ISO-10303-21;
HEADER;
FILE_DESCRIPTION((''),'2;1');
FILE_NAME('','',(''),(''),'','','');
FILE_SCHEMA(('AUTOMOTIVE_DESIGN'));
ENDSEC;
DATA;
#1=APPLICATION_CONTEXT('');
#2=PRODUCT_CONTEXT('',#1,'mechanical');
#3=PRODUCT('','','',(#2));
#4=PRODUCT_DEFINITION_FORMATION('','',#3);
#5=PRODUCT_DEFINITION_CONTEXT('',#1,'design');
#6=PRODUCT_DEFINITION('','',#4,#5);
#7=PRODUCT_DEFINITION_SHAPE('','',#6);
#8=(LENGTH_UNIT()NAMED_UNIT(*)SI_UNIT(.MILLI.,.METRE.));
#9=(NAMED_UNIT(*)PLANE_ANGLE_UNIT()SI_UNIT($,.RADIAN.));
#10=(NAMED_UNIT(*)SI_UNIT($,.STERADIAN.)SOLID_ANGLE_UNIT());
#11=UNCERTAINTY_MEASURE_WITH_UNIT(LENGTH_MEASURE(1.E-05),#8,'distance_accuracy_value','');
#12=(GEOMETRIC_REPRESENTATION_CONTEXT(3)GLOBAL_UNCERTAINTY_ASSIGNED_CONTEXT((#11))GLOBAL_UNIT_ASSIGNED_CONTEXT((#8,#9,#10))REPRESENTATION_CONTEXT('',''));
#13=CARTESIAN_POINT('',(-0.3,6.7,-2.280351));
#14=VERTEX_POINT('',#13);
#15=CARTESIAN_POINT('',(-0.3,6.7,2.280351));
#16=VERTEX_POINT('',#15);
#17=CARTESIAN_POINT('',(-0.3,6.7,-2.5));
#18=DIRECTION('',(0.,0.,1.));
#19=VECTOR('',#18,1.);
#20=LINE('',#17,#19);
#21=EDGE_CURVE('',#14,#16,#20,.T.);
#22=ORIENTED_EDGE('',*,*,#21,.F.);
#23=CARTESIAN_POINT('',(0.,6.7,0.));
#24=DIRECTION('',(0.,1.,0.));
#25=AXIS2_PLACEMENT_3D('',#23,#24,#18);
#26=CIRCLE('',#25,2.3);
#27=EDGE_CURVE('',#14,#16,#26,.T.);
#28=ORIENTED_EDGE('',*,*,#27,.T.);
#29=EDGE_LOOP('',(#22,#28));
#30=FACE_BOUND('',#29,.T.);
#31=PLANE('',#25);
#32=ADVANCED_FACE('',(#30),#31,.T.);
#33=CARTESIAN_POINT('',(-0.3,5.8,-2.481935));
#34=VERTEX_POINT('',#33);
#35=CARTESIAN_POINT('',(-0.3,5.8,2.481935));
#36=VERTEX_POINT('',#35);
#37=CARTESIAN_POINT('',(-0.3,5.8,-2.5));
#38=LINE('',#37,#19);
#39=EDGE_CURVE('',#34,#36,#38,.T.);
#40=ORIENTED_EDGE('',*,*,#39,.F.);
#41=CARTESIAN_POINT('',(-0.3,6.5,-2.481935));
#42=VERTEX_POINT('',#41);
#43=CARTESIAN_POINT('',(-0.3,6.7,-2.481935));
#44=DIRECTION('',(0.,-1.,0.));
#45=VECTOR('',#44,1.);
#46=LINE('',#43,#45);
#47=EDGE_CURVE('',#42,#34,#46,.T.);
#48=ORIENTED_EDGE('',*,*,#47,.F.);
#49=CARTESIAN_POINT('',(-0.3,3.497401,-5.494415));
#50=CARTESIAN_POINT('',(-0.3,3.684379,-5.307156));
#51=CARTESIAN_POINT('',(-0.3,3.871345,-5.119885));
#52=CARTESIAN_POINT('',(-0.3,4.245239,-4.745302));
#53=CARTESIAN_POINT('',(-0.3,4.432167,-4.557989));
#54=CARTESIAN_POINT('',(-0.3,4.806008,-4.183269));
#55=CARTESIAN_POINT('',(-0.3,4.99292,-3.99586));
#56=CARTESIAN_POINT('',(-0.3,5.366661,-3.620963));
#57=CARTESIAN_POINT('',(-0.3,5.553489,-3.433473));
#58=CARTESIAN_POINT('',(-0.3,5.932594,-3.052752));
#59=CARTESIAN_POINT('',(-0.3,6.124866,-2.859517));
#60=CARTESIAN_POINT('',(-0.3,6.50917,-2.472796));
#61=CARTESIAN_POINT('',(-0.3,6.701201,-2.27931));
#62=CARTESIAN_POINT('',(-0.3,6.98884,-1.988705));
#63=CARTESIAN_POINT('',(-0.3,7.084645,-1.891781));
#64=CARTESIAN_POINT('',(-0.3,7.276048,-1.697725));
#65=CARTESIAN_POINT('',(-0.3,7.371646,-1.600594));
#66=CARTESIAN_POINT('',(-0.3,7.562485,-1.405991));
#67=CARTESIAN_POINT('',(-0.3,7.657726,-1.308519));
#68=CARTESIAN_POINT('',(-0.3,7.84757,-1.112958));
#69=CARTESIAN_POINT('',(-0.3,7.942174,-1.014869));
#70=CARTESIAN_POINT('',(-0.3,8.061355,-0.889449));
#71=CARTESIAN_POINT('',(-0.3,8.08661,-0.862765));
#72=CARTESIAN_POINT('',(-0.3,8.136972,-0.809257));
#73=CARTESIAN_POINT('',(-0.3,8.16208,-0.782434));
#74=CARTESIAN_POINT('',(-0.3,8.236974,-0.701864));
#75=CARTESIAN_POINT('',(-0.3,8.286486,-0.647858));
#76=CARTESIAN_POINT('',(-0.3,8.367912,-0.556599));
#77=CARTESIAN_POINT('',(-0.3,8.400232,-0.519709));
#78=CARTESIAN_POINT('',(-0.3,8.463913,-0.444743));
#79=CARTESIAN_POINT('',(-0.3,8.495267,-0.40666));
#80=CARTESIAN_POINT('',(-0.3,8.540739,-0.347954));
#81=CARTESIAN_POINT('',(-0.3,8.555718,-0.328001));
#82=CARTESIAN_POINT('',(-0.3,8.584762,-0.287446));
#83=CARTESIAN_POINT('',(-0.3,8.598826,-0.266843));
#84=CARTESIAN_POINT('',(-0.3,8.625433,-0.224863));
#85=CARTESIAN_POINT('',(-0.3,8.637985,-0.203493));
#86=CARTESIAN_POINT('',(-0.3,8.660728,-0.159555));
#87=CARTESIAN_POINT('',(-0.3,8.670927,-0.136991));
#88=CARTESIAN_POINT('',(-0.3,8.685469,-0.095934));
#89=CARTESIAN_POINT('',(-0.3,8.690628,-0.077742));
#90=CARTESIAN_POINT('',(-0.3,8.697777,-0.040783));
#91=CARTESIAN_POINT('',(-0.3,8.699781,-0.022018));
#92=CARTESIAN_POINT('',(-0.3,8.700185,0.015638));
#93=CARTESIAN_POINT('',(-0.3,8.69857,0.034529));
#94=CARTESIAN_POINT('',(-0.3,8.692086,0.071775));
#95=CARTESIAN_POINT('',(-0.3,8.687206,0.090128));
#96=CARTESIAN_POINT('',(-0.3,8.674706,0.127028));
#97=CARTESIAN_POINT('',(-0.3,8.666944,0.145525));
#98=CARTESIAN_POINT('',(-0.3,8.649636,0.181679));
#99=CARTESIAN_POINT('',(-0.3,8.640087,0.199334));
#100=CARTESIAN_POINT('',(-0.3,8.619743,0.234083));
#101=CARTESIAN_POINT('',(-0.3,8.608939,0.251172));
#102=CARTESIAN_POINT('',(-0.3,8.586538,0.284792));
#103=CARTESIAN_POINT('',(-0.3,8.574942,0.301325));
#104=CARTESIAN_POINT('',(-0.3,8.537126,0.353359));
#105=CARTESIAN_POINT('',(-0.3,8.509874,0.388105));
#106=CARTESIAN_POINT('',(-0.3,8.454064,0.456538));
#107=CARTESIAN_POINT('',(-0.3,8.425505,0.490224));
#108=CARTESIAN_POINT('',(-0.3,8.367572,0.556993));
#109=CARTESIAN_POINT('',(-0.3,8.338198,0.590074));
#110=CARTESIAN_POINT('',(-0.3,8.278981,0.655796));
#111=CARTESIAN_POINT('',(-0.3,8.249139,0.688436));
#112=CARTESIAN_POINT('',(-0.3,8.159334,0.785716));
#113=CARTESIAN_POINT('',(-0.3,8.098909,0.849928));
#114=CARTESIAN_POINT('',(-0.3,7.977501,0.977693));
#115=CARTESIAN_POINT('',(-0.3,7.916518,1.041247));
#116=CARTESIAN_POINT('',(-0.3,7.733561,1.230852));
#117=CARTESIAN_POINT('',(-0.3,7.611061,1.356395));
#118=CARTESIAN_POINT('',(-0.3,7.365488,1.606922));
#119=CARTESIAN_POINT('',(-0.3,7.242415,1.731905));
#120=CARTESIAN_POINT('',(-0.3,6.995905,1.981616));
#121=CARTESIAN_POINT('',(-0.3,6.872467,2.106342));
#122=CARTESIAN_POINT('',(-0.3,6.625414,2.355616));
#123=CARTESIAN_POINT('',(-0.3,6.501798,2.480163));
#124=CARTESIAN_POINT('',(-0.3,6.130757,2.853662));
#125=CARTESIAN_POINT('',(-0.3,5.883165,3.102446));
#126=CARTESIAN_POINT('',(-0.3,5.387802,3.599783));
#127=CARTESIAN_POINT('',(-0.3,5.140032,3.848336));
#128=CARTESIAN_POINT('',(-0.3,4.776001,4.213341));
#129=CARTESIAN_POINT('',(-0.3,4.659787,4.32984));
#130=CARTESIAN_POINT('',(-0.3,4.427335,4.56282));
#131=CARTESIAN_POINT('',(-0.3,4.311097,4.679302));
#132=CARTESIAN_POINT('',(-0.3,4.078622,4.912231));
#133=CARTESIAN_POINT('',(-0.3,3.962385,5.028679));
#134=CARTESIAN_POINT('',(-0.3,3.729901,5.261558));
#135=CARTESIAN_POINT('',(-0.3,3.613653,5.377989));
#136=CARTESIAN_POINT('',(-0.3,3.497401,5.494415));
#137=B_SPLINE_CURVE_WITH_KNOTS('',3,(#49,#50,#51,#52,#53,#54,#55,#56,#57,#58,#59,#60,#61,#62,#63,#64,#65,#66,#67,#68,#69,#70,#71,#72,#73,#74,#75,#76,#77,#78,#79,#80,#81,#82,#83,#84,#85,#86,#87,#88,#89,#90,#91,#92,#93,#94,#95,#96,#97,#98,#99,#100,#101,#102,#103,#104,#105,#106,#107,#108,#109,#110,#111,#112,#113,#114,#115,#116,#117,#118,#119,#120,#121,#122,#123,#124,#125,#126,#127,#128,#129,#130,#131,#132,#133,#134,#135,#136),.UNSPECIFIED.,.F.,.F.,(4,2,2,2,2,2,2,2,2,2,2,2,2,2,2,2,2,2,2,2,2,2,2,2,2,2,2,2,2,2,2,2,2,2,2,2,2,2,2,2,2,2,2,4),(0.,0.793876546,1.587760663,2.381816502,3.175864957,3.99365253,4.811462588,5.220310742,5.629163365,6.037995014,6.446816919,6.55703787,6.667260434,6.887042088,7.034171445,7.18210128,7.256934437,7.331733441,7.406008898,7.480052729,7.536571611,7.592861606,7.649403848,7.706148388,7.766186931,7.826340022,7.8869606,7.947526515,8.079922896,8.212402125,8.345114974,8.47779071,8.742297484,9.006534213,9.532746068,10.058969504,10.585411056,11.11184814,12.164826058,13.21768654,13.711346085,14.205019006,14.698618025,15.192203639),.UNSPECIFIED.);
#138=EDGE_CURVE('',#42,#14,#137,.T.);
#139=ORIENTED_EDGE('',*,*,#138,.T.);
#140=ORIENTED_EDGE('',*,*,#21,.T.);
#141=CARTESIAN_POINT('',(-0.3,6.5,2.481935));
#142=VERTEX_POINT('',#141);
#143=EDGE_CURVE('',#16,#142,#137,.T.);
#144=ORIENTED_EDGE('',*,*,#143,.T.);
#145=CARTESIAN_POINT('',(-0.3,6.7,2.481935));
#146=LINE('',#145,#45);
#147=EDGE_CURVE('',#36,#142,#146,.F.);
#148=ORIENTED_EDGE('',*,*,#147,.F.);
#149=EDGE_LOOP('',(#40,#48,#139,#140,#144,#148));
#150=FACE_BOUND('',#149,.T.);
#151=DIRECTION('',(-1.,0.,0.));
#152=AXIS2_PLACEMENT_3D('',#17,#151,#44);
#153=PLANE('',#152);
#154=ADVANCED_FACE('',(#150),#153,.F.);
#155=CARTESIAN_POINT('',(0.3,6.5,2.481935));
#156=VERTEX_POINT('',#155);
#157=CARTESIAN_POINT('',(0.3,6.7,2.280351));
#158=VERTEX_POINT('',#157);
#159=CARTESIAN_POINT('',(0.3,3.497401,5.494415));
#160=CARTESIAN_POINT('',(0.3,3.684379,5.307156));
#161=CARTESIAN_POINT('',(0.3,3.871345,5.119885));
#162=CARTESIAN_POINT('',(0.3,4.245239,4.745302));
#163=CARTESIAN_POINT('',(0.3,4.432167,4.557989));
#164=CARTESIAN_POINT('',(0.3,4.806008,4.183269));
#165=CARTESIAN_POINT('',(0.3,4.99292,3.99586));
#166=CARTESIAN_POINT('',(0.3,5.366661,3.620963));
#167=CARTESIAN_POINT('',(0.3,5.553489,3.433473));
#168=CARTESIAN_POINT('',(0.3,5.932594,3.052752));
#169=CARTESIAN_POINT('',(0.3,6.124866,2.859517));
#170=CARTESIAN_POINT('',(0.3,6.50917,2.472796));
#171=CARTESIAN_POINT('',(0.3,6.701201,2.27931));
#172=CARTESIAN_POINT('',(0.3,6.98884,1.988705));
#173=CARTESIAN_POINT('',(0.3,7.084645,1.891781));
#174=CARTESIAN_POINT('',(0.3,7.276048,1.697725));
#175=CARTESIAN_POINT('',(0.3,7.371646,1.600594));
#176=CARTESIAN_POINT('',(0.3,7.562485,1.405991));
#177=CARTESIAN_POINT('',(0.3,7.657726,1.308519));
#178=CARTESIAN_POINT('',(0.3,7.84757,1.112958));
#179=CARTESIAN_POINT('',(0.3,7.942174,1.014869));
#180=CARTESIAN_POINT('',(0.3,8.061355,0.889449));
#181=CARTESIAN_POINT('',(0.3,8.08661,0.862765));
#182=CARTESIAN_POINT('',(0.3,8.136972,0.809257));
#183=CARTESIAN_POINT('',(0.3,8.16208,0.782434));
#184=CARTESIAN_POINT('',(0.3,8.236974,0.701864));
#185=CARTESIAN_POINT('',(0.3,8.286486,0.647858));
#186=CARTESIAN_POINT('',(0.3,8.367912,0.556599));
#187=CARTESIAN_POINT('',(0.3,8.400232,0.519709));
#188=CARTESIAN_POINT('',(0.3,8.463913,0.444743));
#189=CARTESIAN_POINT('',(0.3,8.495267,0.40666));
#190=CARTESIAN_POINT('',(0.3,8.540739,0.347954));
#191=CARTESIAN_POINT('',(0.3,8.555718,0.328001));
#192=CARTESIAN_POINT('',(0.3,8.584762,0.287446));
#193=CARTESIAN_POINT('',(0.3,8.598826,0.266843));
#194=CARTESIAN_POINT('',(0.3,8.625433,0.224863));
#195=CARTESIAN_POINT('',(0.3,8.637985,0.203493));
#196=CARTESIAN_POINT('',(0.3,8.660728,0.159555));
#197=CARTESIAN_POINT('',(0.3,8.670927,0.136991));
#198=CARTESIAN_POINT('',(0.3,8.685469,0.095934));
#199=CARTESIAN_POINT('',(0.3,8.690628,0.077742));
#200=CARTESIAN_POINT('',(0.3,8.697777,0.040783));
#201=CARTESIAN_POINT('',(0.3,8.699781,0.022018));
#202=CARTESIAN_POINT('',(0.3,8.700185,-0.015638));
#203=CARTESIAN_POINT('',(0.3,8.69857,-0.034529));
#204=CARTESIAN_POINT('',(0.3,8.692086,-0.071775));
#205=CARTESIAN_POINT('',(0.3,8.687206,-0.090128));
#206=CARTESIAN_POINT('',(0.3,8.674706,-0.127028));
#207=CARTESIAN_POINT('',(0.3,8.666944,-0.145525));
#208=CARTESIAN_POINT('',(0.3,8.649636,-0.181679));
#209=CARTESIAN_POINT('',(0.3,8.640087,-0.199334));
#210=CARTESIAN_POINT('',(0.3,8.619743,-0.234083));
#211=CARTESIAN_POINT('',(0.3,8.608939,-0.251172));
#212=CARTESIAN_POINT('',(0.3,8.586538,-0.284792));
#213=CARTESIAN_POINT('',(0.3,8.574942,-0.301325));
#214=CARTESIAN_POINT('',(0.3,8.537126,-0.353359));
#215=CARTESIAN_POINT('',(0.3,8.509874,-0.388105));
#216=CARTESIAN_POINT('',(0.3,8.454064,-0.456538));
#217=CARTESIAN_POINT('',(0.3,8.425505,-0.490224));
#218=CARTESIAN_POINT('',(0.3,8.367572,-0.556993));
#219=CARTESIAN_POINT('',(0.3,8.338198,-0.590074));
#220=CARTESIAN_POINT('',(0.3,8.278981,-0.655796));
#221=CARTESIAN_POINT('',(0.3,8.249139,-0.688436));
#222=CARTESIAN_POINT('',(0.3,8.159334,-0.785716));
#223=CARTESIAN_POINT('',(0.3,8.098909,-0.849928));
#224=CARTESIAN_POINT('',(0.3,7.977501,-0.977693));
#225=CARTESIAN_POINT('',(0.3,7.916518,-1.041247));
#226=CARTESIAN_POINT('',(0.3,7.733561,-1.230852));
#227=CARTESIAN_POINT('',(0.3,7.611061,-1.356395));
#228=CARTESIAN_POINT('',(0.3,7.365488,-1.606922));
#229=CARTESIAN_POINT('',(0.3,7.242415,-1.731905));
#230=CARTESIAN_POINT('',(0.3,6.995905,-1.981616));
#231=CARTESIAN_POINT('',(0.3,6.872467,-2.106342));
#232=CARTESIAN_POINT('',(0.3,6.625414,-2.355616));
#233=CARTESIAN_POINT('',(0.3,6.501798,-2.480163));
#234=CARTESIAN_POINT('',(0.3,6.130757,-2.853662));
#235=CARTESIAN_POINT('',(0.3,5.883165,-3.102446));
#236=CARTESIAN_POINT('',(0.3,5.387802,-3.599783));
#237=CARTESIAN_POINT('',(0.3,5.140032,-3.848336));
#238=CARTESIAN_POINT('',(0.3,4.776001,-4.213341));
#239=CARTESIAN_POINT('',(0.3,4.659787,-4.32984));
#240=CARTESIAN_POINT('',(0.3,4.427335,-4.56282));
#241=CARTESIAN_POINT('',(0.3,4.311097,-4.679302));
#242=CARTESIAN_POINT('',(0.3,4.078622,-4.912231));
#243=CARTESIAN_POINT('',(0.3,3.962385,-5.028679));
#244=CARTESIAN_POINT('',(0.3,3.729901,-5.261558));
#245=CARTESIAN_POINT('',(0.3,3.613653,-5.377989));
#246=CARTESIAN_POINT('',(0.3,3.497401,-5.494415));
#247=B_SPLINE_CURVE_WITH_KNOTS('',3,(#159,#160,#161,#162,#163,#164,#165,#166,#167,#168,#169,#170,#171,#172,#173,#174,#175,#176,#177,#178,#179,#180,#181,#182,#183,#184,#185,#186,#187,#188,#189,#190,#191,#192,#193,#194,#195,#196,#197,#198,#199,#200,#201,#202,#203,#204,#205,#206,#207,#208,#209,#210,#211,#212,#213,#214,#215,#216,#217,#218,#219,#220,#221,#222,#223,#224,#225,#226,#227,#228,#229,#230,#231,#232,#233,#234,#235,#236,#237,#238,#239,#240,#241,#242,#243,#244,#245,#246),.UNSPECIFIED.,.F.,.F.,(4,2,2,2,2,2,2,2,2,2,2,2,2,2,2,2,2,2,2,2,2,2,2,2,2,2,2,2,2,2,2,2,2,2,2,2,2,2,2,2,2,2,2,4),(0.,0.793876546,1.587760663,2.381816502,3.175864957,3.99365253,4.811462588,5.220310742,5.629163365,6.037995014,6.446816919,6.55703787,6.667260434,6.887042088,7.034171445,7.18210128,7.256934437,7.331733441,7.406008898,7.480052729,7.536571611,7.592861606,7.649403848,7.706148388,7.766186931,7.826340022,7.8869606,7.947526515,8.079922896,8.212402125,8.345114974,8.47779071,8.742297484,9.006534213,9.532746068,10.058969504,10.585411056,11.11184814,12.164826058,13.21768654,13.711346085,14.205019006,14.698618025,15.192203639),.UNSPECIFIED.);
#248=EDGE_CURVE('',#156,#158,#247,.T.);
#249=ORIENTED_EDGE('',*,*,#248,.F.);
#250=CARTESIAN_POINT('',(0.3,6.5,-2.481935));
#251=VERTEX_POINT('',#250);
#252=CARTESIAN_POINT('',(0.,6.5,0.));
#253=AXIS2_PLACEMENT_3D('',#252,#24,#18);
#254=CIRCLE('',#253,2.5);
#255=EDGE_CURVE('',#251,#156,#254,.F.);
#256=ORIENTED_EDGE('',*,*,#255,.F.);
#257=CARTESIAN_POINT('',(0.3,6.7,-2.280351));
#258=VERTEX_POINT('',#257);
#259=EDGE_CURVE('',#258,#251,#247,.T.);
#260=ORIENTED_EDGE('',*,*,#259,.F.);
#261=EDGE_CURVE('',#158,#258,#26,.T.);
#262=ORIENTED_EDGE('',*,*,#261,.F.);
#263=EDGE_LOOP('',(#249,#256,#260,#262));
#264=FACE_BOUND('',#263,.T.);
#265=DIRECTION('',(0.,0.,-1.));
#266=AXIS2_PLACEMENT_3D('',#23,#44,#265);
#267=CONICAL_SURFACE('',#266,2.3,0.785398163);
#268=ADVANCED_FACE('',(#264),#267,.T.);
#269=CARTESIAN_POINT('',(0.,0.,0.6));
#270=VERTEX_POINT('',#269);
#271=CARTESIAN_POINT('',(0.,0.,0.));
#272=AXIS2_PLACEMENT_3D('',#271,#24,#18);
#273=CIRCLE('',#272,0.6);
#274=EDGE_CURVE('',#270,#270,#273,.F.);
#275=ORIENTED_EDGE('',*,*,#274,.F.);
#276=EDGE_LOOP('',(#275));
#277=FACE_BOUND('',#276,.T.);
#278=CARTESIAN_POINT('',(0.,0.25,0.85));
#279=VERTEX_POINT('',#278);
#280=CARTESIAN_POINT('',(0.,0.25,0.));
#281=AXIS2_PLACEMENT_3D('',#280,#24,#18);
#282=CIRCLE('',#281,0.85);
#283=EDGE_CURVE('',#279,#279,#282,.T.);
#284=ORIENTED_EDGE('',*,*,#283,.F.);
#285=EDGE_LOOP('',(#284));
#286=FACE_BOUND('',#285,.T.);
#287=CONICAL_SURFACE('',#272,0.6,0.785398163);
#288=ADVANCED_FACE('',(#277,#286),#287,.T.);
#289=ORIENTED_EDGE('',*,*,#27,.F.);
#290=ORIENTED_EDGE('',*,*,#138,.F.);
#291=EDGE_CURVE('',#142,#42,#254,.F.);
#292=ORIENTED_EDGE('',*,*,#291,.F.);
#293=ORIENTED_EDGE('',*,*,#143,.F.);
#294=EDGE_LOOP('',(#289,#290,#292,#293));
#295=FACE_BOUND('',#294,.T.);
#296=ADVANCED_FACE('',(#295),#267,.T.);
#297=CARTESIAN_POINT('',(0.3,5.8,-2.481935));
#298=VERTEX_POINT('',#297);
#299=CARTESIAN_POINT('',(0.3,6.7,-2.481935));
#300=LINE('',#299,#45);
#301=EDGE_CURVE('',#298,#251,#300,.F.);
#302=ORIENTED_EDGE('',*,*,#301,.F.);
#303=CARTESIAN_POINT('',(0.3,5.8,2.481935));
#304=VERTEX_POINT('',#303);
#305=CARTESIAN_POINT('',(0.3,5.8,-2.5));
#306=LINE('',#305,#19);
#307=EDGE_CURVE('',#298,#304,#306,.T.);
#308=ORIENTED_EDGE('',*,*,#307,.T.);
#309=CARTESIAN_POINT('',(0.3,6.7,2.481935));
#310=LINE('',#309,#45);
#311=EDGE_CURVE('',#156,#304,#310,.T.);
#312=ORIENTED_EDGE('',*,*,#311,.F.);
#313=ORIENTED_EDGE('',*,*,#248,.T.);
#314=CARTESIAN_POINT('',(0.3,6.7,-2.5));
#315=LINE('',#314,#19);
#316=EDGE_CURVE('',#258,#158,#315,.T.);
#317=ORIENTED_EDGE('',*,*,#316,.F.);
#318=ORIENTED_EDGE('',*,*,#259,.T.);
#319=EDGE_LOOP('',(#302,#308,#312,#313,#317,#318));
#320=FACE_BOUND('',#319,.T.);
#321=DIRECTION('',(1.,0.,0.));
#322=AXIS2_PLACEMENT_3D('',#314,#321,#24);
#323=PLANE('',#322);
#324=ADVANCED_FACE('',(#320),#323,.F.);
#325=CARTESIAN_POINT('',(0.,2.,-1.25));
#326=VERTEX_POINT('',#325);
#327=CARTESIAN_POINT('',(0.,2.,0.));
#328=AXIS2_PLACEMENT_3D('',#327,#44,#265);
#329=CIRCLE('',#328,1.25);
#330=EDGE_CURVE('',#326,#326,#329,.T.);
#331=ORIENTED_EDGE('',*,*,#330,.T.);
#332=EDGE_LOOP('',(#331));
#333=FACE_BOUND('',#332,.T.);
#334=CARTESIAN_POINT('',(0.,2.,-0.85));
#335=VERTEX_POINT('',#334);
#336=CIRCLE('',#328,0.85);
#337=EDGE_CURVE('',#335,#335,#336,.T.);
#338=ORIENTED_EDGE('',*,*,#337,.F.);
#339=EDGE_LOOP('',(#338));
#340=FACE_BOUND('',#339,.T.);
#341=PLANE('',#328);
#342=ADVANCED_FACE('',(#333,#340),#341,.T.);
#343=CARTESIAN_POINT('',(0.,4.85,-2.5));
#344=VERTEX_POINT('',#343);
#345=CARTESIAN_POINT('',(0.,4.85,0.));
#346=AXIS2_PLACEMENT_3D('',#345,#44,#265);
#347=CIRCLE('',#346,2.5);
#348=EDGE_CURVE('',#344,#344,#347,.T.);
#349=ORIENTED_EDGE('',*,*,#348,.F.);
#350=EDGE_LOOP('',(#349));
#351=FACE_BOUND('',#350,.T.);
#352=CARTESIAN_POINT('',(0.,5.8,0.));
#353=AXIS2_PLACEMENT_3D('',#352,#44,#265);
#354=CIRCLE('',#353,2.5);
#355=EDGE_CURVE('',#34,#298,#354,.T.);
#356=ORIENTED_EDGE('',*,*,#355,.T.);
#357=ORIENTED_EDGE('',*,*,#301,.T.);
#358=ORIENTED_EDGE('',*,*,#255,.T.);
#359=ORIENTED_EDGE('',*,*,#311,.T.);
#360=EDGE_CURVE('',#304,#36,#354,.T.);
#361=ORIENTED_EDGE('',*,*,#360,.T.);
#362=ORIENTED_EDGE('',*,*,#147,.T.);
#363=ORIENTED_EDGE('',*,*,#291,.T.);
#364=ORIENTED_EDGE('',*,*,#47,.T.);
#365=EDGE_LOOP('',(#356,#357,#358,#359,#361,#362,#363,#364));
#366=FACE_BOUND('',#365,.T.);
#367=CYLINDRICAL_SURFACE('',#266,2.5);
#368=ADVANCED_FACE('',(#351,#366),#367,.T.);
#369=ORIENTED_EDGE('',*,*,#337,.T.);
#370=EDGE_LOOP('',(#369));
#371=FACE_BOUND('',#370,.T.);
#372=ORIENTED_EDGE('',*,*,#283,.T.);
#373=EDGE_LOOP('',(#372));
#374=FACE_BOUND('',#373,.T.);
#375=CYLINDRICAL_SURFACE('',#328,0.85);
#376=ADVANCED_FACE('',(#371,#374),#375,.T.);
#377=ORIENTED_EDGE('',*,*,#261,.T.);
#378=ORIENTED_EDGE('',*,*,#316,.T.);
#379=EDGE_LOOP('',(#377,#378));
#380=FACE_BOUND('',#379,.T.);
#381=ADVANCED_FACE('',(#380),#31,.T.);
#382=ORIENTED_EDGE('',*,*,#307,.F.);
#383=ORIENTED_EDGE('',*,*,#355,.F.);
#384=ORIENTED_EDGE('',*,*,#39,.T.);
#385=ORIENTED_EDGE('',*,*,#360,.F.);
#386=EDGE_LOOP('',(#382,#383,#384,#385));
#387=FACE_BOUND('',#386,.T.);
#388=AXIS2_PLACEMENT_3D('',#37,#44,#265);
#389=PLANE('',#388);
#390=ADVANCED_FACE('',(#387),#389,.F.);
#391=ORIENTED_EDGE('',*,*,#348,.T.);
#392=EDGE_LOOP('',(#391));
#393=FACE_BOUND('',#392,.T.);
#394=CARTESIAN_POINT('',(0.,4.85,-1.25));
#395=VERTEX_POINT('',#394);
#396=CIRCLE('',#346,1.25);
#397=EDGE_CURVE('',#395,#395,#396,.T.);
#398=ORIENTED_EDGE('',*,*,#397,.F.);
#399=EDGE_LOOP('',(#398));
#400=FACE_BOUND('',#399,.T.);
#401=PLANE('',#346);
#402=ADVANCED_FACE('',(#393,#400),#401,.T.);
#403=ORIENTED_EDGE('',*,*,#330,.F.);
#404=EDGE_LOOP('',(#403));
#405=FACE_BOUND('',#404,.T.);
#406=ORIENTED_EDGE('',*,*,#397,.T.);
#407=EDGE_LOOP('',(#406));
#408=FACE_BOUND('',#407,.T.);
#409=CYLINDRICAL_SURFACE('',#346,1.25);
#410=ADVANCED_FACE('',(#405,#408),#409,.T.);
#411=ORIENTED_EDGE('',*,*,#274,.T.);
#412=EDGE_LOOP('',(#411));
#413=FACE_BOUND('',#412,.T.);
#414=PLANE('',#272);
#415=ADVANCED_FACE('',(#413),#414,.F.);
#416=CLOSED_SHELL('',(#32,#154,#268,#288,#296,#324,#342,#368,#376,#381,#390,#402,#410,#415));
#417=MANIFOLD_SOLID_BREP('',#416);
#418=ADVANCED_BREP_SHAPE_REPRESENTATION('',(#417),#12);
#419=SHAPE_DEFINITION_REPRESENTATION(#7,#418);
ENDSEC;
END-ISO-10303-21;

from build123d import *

# Parameters (mm, degrees)
SKETCH1_R               = 2.5
BOSS_EXTRUDE1_DEPTH     = 6.7
SKETCH2_OUTSIDE_W       = 8.948
SKETCH2_OUTSIDE_H       = 8.948
SKETCH2_OUTSIDE_R       = 0.85
CUT_EXTRUDE1_DEPTH      = 2
SKETCH3_OUTSIDE_W       = 8.948
SKETCH3_OUTSIDE_H       = 8.948
SKETCH3_OUTSIDE_R       = 1.25
CUT_EXTRUDE2_DEPTH      = 2.85
CHAMFER1_SIZE           = 0.2
CUT_EXTRUDE3_DEPTH      = 8.575618787
CUT_EXTRUDE3_DEPTH_BACK = 8.575618787
SKETCH4_W               = 0.6
SKETCH4_H               = 0.9
CHAMFER2_SIZE           = 0.25


with BuildPart() as part:
    # Sketch1 → Boss-Extrude1 (new body)
    with BuildSketch(Plane(origin=(0, 0, 0), x_dir=(1, 0, 0), z_dir=(0, 1, 0))):
        with Locations(Location((0, 0, 0), (0, 0, 270))):
            Circle(SKETCH1_R)
    extrude(amount=BOSS_EXTRUDE1_DEPTH)

    # Sketch2 outside → Cut-Extrude1 (cut)
    with BuildSketch(Plane.XZ):
        Rectangle(SKETCH2_OUTSIDE_W, SKETCH2_OUTSIDE_H)
        with Locations(Location((0, 0, 0), (0, 0, 270))):
            Circle(SKETCH2_OUTSIDE_R, mode=Mode.SUBTRACT)
    extrude(amount=-CUT_EXTRUDE1_DEPTH, mode=Mode.SUBTRACT)

    # Sketch3 outside → Cut-Extrude2 (cut)
    with BuildSketch(Plane.XZ.offset(-2)):
        Rectangle(SKETCH3_OUTSIDE_W, SKETCH3_OUTSIDE_H)
        with Locations(Location((0, 0, 0), (0, 0, 270))):
            Circle(SKETCH3_OUTSIDE_R, mode=Mode.SUBTRACT)
    extrude(amount=-CUT_EXTRUDE2_DEPTH, mode=Mode.SUBTRACT)

    # Chamfer1
    chamfer1_edges = [part.edges().sort_by_distance(p)[0] for p in [
        (0, 6.7, -2.5),
    ]]
    chamfer(chamfer1_edges, length=CHAMFER1_SIZE)

    # Sketch4 → Cut-Extrude3 (cut, two sides: drawn at the far end of the back side and taken through both)
    with BuildSketch(Plane.XY.offset(-CUT_EXTRUDE3_DEPTH_BACK)):
        with Locations((0, 6.25)):
            Rectangle(SKETCH4_W, SKETCH4_H)
    extrude(amount=CUT_EXTRUDE3_DEPTH + CUT_EXTRUDE3_DEPTH_BACK, mode=Mode.SUBTRACT)

    # Chamfer2
    chamfer2_edges = [part.edges().sort_by_distance(p)[0] for p in [
        (0, 0, 0.85),
    ]]
    chamfer(chamfer2_edges, length=CHAMFER2_SIZE)


solid = part.part
